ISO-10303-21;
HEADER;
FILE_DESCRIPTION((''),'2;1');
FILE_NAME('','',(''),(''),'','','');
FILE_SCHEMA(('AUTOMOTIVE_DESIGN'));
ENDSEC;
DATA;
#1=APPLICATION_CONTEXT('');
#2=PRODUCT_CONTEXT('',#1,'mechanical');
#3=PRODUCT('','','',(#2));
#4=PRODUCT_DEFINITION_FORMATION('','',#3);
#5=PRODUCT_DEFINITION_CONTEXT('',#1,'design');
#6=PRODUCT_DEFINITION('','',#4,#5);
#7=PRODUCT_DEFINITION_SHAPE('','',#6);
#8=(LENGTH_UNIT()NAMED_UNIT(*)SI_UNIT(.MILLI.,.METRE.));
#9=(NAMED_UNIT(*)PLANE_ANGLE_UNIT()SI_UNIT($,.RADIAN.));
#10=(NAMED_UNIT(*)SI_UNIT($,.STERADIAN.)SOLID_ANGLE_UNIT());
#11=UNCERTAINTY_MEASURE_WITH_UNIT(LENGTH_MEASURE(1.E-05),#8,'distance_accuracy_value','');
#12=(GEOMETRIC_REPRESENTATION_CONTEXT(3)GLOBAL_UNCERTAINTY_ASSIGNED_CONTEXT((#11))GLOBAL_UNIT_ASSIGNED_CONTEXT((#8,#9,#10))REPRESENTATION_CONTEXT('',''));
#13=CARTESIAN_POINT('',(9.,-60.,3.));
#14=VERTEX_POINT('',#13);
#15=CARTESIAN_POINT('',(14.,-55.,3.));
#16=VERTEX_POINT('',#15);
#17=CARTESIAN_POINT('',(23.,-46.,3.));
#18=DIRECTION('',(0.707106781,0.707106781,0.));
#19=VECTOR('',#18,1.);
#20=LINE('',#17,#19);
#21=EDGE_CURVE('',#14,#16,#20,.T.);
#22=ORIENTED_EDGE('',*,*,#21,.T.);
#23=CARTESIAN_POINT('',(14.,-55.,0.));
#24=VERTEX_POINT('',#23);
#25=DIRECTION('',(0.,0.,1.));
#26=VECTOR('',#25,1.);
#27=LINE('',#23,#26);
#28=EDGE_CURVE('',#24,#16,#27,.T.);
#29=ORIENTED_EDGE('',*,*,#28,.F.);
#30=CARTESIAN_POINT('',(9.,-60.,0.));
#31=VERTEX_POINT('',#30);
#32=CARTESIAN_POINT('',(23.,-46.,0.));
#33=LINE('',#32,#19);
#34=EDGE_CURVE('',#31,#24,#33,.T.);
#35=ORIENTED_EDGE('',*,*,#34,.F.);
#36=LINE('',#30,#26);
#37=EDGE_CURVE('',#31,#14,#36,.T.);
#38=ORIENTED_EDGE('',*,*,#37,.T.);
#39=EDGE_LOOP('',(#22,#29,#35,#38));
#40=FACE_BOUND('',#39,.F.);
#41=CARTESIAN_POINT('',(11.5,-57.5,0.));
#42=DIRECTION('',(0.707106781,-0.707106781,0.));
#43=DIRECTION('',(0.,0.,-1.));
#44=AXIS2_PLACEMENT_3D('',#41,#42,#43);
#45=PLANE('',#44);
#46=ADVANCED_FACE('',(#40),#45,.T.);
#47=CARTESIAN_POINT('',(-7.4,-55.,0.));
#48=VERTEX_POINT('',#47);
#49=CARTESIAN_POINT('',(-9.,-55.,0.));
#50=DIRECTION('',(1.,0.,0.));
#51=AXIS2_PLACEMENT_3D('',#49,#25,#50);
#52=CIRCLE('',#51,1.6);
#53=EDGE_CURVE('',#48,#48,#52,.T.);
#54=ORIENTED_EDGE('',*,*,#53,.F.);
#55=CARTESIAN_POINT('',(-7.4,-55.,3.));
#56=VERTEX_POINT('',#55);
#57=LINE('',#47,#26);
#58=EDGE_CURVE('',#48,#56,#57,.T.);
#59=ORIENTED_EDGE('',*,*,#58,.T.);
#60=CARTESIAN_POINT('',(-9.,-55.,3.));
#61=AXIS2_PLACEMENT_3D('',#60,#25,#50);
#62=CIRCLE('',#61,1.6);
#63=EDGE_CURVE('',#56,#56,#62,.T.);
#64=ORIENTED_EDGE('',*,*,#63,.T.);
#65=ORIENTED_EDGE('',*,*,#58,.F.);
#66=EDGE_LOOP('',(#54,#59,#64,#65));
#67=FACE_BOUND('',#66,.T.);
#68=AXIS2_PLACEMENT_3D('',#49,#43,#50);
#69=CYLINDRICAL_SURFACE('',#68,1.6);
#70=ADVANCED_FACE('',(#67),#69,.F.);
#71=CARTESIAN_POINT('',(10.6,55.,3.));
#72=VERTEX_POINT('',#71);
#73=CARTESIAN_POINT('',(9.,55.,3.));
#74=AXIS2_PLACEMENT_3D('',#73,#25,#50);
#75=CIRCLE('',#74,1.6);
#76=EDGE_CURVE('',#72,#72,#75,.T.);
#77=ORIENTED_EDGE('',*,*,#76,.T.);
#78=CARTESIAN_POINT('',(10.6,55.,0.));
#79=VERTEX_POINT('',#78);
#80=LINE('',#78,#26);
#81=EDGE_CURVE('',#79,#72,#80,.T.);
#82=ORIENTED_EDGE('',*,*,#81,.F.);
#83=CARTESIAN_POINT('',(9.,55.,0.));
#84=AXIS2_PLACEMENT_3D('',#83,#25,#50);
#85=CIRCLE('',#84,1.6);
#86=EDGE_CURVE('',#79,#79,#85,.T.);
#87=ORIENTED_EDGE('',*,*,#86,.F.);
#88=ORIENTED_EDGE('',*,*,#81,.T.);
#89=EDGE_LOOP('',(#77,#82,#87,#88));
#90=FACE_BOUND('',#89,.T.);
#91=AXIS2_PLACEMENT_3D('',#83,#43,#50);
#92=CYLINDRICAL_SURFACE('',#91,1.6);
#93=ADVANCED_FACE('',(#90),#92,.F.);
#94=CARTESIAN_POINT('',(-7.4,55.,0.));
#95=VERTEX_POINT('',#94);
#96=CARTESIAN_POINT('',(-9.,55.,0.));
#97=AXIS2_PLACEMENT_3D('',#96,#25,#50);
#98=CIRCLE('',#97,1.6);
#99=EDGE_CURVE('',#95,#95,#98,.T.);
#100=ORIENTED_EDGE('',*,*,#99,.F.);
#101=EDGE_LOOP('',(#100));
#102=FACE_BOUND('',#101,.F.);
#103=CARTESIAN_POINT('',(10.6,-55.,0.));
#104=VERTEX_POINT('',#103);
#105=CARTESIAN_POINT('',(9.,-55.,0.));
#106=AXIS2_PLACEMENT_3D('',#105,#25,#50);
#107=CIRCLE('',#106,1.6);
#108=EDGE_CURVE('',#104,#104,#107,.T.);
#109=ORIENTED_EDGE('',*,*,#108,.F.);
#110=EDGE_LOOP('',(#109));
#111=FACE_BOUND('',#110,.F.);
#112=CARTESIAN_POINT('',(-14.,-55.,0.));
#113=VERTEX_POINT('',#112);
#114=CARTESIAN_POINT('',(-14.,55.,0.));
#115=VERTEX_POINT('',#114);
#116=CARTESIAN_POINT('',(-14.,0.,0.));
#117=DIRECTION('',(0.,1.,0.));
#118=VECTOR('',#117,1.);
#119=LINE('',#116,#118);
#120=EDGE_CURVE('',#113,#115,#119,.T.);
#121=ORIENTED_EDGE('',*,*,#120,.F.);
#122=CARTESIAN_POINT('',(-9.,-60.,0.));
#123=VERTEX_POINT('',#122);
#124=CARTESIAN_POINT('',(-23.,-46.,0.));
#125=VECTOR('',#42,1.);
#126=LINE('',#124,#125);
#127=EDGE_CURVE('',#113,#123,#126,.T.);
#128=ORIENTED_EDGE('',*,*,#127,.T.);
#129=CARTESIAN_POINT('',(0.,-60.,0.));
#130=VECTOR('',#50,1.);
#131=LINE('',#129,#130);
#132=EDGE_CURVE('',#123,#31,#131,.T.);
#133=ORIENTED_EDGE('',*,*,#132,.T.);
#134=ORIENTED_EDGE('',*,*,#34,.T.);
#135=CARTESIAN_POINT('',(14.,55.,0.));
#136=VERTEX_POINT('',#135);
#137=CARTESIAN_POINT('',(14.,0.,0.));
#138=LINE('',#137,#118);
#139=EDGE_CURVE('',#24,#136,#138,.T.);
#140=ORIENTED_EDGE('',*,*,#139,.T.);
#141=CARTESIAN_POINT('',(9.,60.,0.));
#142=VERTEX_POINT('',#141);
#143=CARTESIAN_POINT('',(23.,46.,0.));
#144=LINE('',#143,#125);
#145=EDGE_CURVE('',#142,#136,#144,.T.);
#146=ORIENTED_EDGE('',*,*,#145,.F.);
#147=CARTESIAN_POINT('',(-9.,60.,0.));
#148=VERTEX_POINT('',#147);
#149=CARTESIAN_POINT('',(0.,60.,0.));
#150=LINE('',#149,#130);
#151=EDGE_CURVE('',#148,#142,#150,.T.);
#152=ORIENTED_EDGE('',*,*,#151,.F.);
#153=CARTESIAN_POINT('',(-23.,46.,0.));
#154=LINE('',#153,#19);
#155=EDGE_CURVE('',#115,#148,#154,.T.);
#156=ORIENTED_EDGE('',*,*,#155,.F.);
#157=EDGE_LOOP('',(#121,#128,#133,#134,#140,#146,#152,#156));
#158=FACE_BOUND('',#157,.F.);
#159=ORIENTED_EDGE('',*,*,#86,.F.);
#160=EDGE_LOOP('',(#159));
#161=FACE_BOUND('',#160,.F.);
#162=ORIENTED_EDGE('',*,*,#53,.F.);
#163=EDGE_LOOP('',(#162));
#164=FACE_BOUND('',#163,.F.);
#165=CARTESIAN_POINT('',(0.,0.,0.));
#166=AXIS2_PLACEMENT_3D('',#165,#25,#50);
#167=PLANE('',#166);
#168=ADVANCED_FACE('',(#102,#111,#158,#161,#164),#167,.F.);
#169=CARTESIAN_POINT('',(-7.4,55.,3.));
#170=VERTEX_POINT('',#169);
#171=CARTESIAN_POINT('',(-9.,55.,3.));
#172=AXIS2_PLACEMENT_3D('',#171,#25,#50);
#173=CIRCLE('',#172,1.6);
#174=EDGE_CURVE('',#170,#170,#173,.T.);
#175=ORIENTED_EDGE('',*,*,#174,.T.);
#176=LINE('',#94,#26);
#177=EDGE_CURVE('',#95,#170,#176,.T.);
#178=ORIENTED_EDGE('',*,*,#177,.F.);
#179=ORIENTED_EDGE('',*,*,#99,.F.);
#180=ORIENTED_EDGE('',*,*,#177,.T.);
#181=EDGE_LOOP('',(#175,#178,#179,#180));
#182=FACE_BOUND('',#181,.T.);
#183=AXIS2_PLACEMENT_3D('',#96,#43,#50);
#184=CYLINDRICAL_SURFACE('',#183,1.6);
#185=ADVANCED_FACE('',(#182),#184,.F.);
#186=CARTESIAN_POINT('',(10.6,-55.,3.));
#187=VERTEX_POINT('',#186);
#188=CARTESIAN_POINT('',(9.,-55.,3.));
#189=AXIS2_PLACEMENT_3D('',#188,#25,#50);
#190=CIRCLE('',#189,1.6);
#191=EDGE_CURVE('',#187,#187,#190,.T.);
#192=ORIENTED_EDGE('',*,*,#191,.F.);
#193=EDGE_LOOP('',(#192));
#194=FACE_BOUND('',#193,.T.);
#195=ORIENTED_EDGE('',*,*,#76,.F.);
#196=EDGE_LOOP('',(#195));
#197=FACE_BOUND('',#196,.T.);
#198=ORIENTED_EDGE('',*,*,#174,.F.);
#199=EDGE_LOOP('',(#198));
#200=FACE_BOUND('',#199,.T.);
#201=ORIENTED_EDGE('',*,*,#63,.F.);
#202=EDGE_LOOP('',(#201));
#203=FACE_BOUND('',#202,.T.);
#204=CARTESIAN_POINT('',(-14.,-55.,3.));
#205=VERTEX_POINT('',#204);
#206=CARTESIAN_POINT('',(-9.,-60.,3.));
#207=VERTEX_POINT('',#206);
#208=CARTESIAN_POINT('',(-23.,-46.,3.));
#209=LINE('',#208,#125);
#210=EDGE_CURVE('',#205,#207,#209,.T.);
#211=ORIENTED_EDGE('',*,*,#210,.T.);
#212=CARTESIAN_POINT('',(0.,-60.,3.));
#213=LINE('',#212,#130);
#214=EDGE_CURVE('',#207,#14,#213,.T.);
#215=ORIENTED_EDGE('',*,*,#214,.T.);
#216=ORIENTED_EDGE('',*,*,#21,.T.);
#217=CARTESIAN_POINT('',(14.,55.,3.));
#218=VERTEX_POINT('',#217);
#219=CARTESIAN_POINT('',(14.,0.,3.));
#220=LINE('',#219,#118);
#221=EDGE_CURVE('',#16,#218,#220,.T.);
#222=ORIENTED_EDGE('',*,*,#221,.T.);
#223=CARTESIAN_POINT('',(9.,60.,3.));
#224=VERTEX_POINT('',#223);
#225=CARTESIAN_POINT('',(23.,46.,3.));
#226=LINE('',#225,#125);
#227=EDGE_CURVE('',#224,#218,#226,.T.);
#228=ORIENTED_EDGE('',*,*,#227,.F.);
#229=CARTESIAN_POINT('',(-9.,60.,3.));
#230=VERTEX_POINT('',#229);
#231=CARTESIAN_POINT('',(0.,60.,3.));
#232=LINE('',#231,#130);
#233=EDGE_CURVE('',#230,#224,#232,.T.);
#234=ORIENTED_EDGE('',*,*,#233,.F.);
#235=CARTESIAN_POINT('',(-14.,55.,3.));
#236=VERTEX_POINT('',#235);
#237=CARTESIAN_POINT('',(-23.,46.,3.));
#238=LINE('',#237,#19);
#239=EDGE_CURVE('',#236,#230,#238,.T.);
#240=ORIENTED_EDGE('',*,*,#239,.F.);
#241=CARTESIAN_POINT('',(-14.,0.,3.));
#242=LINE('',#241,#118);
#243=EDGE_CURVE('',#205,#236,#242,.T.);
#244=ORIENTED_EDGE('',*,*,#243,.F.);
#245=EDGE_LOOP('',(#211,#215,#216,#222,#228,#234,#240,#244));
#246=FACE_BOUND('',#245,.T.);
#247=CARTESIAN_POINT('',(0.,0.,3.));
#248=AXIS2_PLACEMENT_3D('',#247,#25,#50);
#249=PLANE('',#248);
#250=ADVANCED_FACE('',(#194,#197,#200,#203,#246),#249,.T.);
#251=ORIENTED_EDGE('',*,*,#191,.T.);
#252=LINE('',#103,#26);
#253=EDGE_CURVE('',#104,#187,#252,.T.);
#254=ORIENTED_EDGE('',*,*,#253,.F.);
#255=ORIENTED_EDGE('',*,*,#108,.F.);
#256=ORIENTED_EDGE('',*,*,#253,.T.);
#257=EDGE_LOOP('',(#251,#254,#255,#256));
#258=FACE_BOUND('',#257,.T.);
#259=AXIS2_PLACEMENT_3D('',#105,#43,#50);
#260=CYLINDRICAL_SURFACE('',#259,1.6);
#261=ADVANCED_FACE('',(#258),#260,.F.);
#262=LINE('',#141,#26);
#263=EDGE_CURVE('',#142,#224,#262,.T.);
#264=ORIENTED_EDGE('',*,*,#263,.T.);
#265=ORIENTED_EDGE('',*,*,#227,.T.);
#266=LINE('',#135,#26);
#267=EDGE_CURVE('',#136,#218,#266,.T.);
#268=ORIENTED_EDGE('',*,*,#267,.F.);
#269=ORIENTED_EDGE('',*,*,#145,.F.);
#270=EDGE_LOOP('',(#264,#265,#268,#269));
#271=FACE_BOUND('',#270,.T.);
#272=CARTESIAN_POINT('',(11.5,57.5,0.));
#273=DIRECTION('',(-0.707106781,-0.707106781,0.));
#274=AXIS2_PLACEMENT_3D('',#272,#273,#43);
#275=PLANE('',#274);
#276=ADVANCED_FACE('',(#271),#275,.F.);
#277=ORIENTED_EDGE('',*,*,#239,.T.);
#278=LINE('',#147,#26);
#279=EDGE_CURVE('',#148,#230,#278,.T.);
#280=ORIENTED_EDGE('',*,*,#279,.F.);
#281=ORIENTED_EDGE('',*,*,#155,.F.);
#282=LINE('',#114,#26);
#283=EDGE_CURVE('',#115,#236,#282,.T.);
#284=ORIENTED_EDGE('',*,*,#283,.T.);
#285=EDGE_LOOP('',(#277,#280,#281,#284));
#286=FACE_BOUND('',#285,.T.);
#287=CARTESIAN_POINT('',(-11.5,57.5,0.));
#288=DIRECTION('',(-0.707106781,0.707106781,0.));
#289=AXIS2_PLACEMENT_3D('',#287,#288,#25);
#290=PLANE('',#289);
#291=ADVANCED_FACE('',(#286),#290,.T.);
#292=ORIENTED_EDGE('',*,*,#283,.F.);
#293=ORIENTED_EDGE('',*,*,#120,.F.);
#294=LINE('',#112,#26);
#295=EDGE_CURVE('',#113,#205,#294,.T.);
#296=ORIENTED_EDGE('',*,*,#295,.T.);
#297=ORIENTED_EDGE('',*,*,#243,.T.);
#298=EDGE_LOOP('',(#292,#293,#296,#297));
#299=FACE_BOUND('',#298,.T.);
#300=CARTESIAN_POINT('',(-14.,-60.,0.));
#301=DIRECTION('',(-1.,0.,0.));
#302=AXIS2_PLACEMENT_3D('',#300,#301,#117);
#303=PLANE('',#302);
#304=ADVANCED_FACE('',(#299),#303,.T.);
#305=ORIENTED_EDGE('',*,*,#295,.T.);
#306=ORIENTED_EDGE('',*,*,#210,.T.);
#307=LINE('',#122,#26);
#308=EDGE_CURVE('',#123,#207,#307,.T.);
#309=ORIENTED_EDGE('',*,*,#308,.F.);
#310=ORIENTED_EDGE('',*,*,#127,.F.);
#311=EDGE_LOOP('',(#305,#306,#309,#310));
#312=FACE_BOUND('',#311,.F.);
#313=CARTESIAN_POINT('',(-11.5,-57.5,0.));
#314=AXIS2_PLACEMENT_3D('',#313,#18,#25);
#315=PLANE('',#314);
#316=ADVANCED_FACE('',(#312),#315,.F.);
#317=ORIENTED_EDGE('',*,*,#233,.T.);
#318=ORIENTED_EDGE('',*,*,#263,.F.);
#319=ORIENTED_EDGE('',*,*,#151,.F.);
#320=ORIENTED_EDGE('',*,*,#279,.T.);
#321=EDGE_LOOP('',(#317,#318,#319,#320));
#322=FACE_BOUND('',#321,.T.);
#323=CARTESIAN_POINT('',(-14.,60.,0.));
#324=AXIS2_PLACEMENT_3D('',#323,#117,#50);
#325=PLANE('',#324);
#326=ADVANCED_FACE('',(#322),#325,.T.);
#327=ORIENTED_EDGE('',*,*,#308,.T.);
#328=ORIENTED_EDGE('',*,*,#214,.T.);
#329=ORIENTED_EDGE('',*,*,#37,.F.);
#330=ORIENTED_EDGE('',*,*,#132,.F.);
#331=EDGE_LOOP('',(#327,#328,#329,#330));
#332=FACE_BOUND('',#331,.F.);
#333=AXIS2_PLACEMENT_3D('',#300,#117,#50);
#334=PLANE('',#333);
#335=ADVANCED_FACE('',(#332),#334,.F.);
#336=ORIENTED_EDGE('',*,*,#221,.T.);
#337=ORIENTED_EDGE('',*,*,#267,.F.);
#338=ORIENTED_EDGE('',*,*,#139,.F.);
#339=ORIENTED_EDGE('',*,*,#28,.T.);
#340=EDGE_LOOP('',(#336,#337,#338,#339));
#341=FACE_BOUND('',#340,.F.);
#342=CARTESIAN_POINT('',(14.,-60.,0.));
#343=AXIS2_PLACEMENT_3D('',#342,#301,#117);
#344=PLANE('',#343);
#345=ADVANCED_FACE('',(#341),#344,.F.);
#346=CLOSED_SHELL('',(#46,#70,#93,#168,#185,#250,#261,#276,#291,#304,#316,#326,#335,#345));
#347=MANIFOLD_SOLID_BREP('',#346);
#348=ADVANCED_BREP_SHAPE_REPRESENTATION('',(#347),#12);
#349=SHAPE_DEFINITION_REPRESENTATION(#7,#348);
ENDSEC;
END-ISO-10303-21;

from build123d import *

# Parameters (mm, degrees)
F0_W     = 28
F0_H     = 120
F0_R     = 1.6
F1_DEPTH = 3
F2_SIZE  = 5


with BuildPart() as f1:
    # F0 (on Top) → F1 (new body)
    with BuildSketch(Plane.XY):
        Rectangle(F0_W, F0_H)
        with Locations((-9, -55)):
            Circle(F0_R, mode=Mode.SUBTRACT)
        with Locations((9, -55)):
            Circle(F0_R, mode=Mode.SUBTRACT)
        with Locations((-9, 55)):
            Circle(F0_R, mode=Mode.SUBTRACT)
        with Locations((9, 55)):
            Circle(F0_R, mode=Mode.SUBTRACT)
    extrude(amount=F1_DEPTH)

    # F2
    f2_edges = [f1.edges().sort_by_distance(p)[0] for p in [
        (-14, 60, 1.5),
        (14, 60, 1.5),
        (-14, -60, 1.5),
        (14, -60, 1.5),
    ]]
    chamfer(f2_edges, length=F2_SIZE)


solid = f1.part
